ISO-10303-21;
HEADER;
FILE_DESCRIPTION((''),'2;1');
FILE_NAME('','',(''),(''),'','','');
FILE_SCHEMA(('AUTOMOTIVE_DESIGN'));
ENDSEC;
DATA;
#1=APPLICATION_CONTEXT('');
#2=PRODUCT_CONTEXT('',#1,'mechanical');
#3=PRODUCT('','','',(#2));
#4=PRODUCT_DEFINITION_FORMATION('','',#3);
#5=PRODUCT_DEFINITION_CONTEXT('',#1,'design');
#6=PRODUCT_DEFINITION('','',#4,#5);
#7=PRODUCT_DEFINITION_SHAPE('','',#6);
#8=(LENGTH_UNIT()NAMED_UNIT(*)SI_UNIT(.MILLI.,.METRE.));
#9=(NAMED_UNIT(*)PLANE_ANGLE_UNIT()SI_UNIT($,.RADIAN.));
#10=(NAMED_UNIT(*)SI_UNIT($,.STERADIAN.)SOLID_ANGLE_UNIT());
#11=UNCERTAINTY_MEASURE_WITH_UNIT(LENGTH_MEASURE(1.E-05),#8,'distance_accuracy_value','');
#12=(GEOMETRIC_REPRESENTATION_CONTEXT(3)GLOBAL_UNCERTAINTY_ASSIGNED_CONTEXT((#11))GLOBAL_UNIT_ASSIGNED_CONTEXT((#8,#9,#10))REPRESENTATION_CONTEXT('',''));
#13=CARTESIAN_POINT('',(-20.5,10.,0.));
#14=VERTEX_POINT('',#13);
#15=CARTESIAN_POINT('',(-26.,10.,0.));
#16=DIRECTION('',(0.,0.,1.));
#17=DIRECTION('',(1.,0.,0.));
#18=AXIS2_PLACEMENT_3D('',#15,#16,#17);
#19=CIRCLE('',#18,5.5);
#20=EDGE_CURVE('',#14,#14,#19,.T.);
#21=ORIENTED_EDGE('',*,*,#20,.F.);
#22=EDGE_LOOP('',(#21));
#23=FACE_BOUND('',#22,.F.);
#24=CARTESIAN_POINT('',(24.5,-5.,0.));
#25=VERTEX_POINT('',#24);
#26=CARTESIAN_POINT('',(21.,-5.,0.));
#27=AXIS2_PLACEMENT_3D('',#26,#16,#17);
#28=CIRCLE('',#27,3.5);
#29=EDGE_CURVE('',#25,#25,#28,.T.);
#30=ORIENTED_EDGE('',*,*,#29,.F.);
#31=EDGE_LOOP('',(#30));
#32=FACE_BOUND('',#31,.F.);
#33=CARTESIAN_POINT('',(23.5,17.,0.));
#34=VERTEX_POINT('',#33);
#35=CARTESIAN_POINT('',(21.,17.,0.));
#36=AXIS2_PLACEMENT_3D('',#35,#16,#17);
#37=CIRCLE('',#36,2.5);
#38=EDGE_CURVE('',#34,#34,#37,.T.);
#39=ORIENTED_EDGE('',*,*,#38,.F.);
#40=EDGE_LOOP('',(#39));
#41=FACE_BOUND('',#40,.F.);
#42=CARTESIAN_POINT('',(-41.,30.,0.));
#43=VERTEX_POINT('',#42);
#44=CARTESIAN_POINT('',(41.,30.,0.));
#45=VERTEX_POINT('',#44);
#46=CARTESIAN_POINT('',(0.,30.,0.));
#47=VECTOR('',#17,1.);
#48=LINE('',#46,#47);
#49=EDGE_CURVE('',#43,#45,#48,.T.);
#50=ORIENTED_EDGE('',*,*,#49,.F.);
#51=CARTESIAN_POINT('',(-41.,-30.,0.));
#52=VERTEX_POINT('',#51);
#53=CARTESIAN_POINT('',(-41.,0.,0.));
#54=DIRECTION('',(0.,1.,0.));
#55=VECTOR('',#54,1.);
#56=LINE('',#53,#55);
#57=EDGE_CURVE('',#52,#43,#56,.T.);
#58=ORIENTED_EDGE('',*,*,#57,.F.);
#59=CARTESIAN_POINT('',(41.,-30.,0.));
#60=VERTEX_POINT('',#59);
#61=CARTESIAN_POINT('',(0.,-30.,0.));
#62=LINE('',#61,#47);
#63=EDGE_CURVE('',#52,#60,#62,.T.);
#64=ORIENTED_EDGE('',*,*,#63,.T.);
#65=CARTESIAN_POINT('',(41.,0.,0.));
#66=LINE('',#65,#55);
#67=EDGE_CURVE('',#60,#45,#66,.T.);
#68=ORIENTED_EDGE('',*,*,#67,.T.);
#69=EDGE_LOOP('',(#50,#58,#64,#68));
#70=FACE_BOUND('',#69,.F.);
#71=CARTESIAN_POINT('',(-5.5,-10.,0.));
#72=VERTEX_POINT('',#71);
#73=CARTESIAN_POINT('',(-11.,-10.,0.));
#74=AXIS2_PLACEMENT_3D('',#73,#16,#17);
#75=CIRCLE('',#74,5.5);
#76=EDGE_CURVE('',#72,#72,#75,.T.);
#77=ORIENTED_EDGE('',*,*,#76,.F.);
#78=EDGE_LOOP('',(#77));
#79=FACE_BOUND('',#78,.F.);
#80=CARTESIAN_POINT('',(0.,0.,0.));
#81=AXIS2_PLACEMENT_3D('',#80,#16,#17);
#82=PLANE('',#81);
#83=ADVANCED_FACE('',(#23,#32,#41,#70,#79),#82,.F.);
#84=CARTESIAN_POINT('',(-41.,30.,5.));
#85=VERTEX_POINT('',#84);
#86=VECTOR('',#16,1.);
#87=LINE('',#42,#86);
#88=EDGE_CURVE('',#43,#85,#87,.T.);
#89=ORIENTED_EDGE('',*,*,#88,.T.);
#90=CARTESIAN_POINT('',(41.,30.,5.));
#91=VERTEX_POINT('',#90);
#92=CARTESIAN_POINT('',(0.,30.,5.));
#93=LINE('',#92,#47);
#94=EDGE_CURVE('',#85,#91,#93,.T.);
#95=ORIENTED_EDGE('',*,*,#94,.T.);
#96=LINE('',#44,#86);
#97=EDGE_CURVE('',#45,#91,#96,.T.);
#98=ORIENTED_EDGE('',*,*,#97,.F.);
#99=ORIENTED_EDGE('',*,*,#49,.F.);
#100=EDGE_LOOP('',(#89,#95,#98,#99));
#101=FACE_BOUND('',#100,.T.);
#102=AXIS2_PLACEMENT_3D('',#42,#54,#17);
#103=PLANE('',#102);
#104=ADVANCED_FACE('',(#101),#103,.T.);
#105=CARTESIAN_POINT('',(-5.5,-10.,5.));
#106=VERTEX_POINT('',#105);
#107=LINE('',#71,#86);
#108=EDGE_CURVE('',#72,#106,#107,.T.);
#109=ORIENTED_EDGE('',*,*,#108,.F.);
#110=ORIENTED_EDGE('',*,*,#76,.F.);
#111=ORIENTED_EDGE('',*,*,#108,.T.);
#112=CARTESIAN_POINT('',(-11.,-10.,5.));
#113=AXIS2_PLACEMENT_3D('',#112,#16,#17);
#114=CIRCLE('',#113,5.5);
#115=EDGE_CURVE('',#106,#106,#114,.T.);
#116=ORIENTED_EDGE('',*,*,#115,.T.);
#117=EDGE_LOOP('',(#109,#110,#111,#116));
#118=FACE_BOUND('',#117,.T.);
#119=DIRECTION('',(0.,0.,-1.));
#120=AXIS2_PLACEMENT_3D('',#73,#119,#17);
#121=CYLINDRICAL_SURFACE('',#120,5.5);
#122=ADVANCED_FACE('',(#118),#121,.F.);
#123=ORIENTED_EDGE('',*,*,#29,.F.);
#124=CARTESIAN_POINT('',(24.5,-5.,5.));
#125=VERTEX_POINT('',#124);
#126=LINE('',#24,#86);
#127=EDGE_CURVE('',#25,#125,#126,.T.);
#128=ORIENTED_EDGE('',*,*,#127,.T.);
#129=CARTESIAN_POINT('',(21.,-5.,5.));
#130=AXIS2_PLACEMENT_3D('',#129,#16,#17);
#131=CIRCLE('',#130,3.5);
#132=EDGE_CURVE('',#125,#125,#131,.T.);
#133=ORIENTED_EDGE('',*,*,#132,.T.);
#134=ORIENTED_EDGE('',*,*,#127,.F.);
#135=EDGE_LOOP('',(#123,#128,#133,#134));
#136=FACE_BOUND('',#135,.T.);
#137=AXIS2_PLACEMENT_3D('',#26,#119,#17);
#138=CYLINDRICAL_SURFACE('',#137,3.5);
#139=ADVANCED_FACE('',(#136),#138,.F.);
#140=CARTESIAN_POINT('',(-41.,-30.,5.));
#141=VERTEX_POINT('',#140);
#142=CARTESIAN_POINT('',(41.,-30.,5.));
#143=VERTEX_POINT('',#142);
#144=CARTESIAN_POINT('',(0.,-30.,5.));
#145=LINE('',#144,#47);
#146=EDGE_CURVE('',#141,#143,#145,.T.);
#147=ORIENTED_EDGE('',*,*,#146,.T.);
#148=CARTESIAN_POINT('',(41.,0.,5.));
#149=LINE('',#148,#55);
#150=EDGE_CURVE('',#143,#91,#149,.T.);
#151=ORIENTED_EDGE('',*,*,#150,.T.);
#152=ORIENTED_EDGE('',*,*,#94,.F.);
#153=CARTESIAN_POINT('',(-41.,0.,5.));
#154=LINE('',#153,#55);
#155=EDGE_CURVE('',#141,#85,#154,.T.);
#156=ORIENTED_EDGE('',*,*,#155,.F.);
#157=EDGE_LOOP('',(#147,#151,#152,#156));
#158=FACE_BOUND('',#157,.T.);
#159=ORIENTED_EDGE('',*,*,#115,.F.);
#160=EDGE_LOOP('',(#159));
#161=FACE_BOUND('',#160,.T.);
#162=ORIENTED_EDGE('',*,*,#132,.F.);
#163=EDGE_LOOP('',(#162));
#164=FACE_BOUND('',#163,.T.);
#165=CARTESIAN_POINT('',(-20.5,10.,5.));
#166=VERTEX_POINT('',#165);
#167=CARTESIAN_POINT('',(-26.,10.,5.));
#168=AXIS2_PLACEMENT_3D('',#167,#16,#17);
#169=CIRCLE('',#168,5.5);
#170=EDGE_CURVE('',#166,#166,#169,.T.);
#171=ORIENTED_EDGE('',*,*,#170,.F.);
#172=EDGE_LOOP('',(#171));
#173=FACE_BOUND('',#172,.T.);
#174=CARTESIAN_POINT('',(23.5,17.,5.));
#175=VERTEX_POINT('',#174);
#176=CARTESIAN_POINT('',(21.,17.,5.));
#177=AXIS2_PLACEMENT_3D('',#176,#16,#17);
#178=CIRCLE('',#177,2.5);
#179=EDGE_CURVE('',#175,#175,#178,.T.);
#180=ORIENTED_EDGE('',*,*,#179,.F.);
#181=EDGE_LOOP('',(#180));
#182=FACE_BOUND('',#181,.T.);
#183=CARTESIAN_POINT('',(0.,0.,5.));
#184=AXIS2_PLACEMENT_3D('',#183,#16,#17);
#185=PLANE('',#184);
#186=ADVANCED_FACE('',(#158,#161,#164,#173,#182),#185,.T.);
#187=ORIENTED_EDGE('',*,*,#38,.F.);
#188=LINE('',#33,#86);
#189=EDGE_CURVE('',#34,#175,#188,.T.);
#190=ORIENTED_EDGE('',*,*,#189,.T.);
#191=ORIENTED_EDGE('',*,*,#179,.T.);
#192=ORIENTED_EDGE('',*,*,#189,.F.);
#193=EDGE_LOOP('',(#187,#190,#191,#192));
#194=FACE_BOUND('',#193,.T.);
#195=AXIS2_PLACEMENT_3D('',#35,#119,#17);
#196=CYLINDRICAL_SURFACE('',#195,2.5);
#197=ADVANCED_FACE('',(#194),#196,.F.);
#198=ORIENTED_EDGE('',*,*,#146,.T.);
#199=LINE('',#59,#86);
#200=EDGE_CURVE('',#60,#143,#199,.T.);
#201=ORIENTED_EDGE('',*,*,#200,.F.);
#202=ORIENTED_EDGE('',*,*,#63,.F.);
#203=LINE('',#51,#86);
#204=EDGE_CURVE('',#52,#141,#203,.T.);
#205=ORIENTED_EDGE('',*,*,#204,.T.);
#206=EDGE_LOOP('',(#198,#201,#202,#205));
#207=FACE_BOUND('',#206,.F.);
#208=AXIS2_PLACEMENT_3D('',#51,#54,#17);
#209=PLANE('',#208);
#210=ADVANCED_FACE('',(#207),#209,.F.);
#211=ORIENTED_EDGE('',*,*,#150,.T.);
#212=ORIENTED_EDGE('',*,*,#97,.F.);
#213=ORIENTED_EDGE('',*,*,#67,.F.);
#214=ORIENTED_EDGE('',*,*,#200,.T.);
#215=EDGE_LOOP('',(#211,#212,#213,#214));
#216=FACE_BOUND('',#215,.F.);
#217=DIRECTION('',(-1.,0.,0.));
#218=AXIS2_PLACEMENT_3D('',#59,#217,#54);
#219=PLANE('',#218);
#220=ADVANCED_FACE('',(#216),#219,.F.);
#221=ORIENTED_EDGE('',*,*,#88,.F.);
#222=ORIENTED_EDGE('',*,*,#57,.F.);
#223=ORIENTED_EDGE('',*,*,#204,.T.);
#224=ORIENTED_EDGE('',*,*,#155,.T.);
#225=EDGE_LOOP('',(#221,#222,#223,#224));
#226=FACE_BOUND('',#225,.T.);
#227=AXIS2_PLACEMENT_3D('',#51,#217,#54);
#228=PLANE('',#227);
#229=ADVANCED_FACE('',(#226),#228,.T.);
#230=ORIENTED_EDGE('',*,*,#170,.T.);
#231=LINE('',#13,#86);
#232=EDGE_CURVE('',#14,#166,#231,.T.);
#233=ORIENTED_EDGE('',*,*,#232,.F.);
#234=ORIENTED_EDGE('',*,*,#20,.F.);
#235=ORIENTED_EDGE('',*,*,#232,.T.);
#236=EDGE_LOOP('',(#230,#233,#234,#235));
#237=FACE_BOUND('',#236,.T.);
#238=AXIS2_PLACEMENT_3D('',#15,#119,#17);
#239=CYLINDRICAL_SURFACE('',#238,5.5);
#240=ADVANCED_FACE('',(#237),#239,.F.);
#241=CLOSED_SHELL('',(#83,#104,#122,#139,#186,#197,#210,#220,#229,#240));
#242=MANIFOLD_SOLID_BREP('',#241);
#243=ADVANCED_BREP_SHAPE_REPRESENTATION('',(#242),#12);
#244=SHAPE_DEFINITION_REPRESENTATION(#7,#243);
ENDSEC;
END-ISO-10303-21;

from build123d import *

# Parameters (mm, degrees)
F0_W     = 82
F0_H     = 60
F0_R     = 5.5
F0_R_2   = 3.5
F0_R_3   = 2.5
F1_DEPTH = 5


with BuildPart() as f1:
    # F0 (on Top) → F1 (new body)
    with BuildSketch(Plane.XY):
        Rectangle(F0_W, F0_H)
        with Locations((-11, -10)):
            Circle(F0_R, mode=Mode.SUBTRACT)
        with Locations((21, -5)):
            Circle(F0_R_2, mode=Mode.SUBTRACT)
        with Locations((-26, 10)):
            Circle(F0_R, mode=Mode.SUBTRACT)
        with Locations((21, 17)):
            Circle(F0_R_3, mode=Mode.SUBTRACT)
    extrude(amount=F1_DEPTH)


solid = f1.part
